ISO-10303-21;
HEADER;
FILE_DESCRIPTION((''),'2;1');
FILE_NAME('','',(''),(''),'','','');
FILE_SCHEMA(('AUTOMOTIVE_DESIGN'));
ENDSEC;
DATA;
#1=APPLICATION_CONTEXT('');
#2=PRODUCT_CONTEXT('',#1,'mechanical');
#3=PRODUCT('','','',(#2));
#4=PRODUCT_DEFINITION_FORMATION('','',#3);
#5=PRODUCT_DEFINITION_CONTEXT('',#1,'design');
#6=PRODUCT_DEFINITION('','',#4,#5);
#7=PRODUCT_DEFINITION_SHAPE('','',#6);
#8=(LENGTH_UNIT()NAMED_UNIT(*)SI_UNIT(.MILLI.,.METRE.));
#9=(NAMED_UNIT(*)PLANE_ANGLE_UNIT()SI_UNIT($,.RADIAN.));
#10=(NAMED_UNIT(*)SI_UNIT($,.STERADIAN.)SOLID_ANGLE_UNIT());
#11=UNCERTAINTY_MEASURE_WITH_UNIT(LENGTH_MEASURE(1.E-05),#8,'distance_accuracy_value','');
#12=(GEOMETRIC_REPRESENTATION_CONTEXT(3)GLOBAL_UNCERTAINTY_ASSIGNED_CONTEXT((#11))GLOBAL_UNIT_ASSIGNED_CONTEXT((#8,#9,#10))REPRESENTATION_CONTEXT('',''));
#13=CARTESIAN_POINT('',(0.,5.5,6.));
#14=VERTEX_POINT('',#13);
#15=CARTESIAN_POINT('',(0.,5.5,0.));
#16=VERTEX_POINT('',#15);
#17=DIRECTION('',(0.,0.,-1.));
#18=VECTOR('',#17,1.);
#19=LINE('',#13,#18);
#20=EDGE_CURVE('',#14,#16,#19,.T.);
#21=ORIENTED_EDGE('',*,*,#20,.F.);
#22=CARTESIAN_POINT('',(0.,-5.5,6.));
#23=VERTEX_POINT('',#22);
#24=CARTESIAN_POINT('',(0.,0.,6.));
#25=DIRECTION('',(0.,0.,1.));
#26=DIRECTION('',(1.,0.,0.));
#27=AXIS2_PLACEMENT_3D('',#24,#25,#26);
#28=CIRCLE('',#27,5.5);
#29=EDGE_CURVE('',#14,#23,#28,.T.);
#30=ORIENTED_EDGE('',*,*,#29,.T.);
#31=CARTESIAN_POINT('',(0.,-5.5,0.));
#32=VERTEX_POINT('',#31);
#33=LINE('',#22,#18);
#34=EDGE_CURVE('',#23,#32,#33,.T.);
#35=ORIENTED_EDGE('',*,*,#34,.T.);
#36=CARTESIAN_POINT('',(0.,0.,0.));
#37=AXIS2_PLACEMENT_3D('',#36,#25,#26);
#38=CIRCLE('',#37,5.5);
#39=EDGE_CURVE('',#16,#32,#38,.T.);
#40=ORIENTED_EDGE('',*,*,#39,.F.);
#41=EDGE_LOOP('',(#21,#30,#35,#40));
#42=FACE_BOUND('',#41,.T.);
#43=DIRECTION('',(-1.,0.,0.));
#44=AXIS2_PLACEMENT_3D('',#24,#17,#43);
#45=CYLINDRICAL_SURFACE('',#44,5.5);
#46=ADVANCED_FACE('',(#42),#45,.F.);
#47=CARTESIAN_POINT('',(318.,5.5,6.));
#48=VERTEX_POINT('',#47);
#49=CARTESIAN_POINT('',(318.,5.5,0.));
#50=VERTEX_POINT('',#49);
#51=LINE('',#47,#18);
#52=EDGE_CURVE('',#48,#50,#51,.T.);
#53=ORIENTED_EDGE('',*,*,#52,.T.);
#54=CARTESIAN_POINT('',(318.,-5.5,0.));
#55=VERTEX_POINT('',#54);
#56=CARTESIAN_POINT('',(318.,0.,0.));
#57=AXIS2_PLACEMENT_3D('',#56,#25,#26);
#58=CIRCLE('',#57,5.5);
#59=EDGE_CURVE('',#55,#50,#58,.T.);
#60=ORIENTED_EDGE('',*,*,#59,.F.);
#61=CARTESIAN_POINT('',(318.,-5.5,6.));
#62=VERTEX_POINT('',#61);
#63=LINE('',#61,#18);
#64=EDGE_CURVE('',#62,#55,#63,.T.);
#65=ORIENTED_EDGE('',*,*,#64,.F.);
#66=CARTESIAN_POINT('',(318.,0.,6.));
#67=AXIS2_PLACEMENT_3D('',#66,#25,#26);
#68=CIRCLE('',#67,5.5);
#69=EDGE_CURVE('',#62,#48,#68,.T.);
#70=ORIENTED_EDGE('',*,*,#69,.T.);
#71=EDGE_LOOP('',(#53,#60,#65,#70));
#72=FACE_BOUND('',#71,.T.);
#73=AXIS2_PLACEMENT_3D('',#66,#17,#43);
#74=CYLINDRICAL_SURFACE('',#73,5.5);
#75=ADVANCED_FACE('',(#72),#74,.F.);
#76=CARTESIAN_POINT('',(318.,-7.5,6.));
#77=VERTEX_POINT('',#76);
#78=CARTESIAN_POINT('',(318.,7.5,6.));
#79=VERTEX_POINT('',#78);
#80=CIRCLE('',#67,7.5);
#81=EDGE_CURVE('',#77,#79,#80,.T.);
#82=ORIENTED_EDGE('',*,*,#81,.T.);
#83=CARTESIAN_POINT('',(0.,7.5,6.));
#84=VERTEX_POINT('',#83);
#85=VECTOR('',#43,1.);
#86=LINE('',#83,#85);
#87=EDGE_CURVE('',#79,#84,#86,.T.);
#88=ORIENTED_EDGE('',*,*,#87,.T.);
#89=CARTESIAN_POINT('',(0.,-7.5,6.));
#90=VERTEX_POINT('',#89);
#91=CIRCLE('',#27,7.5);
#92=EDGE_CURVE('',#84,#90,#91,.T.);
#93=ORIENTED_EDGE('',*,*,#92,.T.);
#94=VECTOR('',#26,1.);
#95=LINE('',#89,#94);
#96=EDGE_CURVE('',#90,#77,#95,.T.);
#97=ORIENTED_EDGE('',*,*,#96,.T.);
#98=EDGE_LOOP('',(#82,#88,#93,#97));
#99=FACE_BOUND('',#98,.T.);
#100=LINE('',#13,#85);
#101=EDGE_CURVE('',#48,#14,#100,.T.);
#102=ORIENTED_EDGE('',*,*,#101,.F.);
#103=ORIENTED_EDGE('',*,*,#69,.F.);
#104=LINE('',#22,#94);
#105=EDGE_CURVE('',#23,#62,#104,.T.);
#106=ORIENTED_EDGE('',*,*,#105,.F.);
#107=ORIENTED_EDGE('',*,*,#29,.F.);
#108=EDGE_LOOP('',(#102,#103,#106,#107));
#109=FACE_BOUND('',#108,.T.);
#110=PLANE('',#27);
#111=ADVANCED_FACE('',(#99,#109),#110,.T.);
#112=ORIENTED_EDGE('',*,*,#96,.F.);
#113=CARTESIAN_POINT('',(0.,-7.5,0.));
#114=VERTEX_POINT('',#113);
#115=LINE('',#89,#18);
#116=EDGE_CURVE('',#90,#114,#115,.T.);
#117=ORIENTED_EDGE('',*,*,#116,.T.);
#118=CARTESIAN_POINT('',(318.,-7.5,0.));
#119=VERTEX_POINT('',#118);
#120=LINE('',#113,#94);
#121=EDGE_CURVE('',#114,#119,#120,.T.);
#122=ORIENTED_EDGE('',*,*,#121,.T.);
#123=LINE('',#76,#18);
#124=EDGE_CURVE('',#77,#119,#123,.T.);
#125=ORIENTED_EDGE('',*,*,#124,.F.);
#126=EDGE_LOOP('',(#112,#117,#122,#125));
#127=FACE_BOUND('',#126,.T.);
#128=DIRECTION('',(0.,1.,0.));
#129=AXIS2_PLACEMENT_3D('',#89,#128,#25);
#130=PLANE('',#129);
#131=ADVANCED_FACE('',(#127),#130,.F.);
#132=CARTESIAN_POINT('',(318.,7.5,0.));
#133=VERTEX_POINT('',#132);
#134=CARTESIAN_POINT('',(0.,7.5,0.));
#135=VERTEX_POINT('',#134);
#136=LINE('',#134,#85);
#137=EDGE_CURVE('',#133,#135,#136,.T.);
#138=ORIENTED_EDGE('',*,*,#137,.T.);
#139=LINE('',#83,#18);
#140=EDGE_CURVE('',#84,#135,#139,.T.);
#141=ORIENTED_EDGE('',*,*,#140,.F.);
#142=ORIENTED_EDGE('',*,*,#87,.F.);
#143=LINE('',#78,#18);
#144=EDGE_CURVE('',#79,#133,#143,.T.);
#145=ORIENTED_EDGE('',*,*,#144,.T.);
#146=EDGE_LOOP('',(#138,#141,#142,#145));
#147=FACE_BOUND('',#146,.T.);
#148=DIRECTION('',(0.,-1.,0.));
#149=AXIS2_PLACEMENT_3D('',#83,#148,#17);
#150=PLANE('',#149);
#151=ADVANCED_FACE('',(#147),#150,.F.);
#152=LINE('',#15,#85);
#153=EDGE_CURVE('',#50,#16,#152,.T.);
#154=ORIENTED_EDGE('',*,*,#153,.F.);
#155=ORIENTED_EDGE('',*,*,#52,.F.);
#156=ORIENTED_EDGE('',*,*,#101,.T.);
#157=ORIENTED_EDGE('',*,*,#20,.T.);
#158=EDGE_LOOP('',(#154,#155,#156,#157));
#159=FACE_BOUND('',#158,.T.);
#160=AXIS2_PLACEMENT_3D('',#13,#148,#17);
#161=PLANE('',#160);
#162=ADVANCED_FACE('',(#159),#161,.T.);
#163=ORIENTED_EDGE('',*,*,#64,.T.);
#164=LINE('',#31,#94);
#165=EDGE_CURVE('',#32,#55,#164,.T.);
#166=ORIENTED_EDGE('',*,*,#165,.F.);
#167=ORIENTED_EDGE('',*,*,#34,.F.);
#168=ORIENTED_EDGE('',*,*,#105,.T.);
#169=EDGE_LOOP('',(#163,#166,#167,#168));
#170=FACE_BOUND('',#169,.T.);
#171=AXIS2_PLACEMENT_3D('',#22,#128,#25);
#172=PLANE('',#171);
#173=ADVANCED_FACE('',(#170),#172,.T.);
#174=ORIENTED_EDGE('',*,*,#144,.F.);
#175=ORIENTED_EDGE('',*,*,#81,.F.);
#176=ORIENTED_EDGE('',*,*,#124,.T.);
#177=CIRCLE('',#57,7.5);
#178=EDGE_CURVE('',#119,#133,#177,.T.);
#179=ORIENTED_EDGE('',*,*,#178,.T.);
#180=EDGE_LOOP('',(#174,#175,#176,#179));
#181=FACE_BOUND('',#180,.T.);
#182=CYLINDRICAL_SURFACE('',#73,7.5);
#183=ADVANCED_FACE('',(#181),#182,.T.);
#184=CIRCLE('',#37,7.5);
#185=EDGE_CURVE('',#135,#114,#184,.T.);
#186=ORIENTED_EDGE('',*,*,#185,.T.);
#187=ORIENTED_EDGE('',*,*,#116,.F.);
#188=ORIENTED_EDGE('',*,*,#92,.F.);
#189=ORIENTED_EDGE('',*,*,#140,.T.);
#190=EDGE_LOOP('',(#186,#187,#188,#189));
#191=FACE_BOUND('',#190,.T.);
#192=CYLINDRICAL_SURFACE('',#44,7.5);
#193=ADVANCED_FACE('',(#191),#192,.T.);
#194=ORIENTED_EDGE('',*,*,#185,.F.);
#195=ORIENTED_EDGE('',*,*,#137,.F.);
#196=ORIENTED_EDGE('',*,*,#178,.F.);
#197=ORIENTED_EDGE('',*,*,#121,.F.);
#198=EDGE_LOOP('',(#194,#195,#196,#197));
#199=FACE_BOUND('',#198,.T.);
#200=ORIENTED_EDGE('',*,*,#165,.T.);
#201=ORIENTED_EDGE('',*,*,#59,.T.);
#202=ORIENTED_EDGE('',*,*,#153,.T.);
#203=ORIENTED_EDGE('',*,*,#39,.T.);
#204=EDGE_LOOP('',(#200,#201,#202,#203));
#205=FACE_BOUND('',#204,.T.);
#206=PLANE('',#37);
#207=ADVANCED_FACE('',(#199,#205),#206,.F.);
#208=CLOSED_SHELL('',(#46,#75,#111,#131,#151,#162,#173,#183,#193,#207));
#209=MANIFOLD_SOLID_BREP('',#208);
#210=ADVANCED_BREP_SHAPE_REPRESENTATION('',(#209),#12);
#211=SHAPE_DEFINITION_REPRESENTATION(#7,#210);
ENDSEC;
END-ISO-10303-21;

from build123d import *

# Parameters (mm, degrees)
EXTRUDE_1_DEPTH = 6


with BuildPart() as part:
    # 草图1 → 凸台-拉伸1 (new body)
    with BuildSketch(Plane.XY):
        with BuildLine():
            Line((0, 7.5), (318, 7.5))
            ThreePointArc((318, 7.5), (325.5, 0), (318, -7.5))
            Line((318, -7.5), (0, -7.5))
            ThreePointArc((0, -7.5), (-7.5, 0), (0, 7.5))
        make_face()
        with BuildLine():
            Line((0, 5.5), (318, 5.5))
            ThreePointArc((318, 5.5), (323.5, 0), (318, -5.5))
            Line((318, -5.5), (0, -5.5))
            ThreePointArc((0, -5.5), (-5.5, 0), (0, 5.5))
        make_face(mode=Mode.SUBTRACT)
    extrude(amount=EXTRUDE_1_DEPTH)


solid = part.part
